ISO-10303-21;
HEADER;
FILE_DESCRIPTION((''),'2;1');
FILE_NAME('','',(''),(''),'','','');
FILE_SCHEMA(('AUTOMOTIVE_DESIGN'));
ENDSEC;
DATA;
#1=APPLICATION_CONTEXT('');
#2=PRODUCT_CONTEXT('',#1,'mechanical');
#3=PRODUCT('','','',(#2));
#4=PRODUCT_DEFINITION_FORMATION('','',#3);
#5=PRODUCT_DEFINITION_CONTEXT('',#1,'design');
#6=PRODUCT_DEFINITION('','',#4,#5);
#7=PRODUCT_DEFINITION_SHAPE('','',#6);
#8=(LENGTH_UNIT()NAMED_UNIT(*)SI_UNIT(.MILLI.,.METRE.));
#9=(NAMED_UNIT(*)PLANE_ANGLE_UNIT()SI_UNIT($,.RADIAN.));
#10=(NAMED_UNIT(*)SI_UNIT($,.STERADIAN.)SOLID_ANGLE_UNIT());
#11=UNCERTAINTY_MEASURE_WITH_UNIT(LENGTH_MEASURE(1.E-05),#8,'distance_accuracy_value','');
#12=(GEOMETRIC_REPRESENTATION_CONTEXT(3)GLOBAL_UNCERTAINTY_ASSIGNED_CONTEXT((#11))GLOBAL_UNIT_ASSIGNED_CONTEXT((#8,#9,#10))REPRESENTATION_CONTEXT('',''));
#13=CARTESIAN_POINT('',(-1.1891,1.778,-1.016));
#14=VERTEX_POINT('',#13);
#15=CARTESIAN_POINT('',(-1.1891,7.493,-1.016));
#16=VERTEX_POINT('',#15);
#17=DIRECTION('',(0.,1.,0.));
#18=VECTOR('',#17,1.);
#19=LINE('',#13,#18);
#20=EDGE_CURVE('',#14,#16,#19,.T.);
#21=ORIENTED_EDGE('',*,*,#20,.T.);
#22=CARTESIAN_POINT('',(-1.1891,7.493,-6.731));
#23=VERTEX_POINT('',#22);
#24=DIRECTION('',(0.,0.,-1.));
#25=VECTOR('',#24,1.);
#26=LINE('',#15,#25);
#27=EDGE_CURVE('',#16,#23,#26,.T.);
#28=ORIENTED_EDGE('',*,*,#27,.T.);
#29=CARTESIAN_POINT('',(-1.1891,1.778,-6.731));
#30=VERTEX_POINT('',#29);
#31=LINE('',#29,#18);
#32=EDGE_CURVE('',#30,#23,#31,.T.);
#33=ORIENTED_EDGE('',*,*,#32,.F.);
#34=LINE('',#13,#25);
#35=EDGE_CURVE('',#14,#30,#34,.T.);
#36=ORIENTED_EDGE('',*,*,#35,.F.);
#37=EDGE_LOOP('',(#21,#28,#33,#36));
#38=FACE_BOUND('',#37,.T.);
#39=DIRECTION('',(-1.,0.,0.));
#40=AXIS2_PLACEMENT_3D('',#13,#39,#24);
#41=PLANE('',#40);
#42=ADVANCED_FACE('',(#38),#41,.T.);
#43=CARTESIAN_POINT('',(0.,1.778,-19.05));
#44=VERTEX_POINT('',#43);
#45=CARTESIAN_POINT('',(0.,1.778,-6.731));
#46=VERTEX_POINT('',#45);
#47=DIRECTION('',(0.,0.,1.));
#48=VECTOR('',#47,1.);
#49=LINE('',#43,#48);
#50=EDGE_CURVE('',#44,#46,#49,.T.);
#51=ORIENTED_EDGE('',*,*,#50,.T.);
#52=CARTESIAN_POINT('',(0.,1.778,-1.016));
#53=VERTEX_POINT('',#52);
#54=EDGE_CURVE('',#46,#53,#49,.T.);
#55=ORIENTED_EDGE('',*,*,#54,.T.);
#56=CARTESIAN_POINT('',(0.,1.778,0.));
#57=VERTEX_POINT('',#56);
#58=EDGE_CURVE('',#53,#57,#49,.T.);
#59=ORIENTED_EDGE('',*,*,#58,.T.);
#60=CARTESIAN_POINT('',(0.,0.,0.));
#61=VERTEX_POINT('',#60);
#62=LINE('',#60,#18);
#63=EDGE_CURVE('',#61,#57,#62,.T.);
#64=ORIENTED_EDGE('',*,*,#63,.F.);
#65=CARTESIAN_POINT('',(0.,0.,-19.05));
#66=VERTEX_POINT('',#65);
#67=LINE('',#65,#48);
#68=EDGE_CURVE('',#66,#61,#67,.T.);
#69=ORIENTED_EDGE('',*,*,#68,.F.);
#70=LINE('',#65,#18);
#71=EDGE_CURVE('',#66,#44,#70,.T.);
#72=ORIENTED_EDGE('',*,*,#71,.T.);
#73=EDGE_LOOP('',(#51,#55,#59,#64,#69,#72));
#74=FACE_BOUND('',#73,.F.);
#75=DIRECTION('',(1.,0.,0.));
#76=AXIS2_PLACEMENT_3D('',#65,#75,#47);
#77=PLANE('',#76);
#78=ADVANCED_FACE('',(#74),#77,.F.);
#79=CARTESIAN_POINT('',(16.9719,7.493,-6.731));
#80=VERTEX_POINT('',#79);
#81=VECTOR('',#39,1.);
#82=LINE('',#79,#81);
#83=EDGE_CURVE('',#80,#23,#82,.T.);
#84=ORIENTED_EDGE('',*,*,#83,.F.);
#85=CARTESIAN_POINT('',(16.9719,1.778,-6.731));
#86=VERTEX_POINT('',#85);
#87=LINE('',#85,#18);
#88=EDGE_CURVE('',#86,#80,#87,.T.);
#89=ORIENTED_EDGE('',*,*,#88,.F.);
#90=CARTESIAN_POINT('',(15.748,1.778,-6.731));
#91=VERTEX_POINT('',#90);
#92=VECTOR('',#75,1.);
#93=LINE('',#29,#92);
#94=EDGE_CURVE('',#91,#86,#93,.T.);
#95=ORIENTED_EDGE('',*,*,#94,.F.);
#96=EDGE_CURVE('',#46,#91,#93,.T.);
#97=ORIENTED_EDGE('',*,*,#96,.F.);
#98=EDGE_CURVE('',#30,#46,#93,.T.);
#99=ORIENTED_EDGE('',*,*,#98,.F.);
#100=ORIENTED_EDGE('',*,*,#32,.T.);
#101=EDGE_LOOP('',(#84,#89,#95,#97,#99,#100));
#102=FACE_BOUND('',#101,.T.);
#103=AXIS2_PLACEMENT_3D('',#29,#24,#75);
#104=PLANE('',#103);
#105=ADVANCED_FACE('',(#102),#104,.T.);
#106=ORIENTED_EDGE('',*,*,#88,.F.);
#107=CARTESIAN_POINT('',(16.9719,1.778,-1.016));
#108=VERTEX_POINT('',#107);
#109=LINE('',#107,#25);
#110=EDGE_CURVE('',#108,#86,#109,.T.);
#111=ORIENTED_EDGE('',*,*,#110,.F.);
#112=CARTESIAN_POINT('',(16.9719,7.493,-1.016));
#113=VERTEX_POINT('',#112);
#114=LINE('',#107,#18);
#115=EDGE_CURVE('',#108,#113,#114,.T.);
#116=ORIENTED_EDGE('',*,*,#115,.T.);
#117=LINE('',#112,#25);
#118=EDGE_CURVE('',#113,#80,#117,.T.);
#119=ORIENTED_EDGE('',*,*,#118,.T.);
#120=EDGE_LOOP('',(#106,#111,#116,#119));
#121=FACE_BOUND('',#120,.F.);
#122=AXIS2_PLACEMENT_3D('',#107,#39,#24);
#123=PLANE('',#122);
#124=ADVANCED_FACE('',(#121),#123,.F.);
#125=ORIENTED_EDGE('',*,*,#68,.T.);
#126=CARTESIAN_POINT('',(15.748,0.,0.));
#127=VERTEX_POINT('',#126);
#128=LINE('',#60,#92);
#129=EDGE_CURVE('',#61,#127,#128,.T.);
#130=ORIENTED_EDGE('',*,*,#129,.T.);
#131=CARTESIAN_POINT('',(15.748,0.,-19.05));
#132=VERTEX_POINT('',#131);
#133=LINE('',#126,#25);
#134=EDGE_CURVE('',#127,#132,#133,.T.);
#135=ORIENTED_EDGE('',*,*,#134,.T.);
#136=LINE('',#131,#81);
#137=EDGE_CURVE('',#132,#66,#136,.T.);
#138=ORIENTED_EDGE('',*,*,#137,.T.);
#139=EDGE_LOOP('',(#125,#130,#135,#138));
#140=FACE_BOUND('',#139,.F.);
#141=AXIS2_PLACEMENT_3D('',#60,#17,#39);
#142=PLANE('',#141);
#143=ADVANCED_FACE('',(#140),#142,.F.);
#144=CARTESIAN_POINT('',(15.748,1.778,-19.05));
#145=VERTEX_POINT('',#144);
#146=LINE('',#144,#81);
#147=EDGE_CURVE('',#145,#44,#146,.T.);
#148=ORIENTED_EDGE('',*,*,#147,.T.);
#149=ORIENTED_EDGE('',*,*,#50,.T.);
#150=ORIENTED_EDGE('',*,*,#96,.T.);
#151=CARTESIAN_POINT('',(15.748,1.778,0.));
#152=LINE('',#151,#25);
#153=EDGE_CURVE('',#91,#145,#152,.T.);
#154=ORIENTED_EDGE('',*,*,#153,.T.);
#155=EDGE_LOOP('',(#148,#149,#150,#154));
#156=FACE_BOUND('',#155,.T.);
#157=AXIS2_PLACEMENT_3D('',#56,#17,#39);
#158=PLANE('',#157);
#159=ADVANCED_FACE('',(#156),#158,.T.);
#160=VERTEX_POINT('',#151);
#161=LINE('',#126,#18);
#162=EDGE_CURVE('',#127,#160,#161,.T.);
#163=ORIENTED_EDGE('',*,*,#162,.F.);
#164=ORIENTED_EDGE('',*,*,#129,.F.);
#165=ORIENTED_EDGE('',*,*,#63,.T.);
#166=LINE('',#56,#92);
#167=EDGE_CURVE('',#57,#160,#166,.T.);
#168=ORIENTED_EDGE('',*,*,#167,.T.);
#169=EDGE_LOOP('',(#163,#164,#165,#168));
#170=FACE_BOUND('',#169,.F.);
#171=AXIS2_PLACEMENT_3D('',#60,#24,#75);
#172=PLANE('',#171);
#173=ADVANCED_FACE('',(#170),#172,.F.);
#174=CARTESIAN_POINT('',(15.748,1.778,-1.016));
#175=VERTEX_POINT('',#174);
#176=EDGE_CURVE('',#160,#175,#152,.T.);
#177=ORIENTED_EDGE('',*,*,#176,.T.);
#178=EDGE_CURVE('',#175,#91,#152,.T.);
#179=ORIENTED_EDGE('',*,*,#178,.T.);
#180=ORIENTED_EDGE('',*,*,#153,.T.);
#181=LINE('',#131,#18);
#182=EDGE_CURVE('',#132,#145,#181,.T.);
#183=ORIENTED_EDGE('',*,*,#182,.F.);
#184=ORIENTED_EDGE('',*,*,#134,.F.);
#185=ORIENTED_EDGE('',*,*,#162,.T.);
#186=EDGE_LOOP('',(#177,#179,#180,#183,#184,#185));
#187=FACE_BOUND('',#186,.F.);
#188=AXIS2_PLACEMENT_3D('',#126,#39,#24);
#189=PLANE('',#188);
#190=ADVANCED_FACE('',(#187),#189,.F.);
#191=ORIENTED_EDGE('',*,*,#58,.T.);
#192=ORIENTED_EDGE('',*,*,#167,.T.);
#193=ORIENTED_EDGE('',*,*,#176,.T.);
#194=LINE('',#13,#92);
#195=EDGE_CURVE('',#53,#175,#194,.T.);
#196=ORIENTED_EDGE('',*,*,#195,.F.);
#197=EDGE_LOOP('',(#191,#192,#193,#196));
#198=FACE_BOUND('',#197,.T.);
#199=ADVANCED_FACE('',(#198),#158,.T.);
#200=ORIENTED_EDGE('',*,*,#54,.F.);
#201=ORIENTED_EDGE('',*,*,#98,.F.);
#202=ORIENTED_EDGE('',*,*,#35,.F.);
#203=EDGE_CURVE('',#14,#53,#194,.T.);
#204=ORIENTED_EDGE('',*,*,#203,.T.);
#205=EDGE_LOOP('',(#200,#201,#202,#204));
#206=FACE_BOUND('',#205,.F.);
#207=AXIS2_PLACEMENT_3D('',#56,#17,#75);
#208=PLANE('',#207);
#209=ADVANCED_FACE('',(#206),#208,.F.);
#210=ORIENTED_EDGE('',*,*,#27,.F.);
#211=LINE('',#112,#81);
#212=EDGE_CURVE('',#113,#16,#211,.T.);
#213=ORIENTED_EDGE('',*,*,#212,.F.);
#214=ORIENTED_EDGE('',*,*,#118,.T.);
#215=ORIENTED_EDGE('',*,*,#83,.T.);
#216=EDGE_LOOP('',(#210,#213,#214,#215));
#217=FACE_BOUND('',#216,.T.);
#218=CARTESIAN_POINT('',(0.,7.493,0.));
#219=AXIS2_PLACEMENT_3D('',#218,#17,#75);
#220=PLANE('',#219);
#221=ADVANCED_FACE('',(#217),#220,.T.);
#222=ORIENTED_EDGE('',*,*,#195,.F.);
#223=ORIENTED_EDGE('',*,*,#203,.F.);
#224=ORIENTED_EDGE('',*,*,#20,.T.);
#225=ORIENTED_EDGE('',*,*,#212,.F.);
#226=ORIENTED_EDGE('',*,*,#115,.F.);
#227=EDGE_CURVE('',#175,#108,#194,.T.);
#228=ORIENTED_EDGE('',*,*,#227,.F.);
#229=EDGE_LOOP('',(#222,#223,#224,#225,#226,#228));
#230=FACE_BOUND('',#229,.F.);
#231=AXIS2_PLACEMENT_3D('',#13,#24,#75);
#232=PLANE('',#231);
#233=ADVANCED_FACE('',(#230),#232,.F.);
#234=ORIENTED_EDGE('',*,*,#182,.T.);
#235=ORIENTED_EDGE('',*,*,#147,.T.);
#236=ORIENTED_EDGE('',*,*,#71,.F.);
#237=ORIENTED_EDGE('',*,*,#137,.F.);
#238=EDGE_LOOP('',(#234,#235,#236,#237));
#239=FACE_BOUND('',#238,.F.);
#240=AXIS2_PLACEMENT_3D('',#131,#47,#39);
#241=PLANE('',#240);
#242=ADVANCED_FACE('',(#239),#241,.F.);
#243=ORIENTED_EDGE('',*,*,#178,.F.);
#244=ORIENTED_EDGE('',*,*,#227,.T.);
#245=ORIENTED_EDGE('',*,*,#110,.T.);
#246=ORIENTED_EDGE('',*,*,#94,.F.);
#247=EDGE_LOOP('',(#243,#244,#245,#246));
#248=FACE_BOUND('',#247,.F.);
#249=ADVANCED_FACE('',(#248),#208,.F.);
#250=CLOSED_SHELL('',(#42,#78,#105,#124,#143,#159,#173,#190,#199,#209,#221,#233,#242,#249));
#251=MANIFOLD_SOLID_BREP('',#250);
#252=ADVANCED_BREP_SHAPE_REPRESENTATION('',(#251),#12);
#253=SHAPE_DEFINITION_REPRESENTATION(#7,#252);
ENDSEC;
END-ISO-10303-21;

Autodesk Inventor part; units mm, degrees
ref_plane "YZ Plane" through (0, 0, 0) normal (1, 0, 0) x (0, 1, 0)
ref_plane "XZ Plane" through (0, 0, 0) normal (0, 1, 0) x (-1, 0, 0)
ref_plane "XY Plane" through (0, 0, 0) normal (0, 0, 1) x (1, 0, 0)
sketch "Sketch1" plane through (0, 0, 0) normal (0, 1, 0) x (-1, 0, 0)
  line L0 (0, 0) -> (-15.748, 0)
  line L1 (-15.748, 0) -> (-15.748, -19.05)
  line L2 (-15.748, -19.05) -> (0, -19.05)
  line L3 (0, -19.05) -> (0, 0)
  dimension "d0" = 15.748
  dimension "d1" = 19.05
extrude "Extrusion1" add sketch "Sketch1" along normal blind 1.778
sketch "Sketch2" plane through (0, 1.778, 0) normal (0, 1, 0) x (1, 0, 0)
  line L0 (0, 0) -> (15.748, 0) projected
  line L1 (15.748, 0) -> (15.748, 19.05) projected
  line L2 (15.748, 19.05) -> (0, 19.05) projected
  line L3 (0, 19.05) -> (0, 0) projected
  line L4 (0, 19.05) -> (0, 0) projected
  line L5 (-1.1891, 1.016) -> (16.9719, 1.016)
  line L6 (-1.1891, 6.731) -> (16.9719, 6.731)
  line L7 (-1.1891, 1.016) -> (-1.1891, 6.731)
  line L8 (16.9719, 1.016) -> (16.9719, 6.731)
  dimension "d4" = 1.016
  dimension "d5" = 5.715
  dimension "d6" = 18.161
extrude "Extrusion2" add sketch "Sketch2" along normal blind 5.715 contours L5 L7 L6 L3 | L3 L6 L1 L5 | L1 L6 L8 L5
properties part number "ShockSensor"
